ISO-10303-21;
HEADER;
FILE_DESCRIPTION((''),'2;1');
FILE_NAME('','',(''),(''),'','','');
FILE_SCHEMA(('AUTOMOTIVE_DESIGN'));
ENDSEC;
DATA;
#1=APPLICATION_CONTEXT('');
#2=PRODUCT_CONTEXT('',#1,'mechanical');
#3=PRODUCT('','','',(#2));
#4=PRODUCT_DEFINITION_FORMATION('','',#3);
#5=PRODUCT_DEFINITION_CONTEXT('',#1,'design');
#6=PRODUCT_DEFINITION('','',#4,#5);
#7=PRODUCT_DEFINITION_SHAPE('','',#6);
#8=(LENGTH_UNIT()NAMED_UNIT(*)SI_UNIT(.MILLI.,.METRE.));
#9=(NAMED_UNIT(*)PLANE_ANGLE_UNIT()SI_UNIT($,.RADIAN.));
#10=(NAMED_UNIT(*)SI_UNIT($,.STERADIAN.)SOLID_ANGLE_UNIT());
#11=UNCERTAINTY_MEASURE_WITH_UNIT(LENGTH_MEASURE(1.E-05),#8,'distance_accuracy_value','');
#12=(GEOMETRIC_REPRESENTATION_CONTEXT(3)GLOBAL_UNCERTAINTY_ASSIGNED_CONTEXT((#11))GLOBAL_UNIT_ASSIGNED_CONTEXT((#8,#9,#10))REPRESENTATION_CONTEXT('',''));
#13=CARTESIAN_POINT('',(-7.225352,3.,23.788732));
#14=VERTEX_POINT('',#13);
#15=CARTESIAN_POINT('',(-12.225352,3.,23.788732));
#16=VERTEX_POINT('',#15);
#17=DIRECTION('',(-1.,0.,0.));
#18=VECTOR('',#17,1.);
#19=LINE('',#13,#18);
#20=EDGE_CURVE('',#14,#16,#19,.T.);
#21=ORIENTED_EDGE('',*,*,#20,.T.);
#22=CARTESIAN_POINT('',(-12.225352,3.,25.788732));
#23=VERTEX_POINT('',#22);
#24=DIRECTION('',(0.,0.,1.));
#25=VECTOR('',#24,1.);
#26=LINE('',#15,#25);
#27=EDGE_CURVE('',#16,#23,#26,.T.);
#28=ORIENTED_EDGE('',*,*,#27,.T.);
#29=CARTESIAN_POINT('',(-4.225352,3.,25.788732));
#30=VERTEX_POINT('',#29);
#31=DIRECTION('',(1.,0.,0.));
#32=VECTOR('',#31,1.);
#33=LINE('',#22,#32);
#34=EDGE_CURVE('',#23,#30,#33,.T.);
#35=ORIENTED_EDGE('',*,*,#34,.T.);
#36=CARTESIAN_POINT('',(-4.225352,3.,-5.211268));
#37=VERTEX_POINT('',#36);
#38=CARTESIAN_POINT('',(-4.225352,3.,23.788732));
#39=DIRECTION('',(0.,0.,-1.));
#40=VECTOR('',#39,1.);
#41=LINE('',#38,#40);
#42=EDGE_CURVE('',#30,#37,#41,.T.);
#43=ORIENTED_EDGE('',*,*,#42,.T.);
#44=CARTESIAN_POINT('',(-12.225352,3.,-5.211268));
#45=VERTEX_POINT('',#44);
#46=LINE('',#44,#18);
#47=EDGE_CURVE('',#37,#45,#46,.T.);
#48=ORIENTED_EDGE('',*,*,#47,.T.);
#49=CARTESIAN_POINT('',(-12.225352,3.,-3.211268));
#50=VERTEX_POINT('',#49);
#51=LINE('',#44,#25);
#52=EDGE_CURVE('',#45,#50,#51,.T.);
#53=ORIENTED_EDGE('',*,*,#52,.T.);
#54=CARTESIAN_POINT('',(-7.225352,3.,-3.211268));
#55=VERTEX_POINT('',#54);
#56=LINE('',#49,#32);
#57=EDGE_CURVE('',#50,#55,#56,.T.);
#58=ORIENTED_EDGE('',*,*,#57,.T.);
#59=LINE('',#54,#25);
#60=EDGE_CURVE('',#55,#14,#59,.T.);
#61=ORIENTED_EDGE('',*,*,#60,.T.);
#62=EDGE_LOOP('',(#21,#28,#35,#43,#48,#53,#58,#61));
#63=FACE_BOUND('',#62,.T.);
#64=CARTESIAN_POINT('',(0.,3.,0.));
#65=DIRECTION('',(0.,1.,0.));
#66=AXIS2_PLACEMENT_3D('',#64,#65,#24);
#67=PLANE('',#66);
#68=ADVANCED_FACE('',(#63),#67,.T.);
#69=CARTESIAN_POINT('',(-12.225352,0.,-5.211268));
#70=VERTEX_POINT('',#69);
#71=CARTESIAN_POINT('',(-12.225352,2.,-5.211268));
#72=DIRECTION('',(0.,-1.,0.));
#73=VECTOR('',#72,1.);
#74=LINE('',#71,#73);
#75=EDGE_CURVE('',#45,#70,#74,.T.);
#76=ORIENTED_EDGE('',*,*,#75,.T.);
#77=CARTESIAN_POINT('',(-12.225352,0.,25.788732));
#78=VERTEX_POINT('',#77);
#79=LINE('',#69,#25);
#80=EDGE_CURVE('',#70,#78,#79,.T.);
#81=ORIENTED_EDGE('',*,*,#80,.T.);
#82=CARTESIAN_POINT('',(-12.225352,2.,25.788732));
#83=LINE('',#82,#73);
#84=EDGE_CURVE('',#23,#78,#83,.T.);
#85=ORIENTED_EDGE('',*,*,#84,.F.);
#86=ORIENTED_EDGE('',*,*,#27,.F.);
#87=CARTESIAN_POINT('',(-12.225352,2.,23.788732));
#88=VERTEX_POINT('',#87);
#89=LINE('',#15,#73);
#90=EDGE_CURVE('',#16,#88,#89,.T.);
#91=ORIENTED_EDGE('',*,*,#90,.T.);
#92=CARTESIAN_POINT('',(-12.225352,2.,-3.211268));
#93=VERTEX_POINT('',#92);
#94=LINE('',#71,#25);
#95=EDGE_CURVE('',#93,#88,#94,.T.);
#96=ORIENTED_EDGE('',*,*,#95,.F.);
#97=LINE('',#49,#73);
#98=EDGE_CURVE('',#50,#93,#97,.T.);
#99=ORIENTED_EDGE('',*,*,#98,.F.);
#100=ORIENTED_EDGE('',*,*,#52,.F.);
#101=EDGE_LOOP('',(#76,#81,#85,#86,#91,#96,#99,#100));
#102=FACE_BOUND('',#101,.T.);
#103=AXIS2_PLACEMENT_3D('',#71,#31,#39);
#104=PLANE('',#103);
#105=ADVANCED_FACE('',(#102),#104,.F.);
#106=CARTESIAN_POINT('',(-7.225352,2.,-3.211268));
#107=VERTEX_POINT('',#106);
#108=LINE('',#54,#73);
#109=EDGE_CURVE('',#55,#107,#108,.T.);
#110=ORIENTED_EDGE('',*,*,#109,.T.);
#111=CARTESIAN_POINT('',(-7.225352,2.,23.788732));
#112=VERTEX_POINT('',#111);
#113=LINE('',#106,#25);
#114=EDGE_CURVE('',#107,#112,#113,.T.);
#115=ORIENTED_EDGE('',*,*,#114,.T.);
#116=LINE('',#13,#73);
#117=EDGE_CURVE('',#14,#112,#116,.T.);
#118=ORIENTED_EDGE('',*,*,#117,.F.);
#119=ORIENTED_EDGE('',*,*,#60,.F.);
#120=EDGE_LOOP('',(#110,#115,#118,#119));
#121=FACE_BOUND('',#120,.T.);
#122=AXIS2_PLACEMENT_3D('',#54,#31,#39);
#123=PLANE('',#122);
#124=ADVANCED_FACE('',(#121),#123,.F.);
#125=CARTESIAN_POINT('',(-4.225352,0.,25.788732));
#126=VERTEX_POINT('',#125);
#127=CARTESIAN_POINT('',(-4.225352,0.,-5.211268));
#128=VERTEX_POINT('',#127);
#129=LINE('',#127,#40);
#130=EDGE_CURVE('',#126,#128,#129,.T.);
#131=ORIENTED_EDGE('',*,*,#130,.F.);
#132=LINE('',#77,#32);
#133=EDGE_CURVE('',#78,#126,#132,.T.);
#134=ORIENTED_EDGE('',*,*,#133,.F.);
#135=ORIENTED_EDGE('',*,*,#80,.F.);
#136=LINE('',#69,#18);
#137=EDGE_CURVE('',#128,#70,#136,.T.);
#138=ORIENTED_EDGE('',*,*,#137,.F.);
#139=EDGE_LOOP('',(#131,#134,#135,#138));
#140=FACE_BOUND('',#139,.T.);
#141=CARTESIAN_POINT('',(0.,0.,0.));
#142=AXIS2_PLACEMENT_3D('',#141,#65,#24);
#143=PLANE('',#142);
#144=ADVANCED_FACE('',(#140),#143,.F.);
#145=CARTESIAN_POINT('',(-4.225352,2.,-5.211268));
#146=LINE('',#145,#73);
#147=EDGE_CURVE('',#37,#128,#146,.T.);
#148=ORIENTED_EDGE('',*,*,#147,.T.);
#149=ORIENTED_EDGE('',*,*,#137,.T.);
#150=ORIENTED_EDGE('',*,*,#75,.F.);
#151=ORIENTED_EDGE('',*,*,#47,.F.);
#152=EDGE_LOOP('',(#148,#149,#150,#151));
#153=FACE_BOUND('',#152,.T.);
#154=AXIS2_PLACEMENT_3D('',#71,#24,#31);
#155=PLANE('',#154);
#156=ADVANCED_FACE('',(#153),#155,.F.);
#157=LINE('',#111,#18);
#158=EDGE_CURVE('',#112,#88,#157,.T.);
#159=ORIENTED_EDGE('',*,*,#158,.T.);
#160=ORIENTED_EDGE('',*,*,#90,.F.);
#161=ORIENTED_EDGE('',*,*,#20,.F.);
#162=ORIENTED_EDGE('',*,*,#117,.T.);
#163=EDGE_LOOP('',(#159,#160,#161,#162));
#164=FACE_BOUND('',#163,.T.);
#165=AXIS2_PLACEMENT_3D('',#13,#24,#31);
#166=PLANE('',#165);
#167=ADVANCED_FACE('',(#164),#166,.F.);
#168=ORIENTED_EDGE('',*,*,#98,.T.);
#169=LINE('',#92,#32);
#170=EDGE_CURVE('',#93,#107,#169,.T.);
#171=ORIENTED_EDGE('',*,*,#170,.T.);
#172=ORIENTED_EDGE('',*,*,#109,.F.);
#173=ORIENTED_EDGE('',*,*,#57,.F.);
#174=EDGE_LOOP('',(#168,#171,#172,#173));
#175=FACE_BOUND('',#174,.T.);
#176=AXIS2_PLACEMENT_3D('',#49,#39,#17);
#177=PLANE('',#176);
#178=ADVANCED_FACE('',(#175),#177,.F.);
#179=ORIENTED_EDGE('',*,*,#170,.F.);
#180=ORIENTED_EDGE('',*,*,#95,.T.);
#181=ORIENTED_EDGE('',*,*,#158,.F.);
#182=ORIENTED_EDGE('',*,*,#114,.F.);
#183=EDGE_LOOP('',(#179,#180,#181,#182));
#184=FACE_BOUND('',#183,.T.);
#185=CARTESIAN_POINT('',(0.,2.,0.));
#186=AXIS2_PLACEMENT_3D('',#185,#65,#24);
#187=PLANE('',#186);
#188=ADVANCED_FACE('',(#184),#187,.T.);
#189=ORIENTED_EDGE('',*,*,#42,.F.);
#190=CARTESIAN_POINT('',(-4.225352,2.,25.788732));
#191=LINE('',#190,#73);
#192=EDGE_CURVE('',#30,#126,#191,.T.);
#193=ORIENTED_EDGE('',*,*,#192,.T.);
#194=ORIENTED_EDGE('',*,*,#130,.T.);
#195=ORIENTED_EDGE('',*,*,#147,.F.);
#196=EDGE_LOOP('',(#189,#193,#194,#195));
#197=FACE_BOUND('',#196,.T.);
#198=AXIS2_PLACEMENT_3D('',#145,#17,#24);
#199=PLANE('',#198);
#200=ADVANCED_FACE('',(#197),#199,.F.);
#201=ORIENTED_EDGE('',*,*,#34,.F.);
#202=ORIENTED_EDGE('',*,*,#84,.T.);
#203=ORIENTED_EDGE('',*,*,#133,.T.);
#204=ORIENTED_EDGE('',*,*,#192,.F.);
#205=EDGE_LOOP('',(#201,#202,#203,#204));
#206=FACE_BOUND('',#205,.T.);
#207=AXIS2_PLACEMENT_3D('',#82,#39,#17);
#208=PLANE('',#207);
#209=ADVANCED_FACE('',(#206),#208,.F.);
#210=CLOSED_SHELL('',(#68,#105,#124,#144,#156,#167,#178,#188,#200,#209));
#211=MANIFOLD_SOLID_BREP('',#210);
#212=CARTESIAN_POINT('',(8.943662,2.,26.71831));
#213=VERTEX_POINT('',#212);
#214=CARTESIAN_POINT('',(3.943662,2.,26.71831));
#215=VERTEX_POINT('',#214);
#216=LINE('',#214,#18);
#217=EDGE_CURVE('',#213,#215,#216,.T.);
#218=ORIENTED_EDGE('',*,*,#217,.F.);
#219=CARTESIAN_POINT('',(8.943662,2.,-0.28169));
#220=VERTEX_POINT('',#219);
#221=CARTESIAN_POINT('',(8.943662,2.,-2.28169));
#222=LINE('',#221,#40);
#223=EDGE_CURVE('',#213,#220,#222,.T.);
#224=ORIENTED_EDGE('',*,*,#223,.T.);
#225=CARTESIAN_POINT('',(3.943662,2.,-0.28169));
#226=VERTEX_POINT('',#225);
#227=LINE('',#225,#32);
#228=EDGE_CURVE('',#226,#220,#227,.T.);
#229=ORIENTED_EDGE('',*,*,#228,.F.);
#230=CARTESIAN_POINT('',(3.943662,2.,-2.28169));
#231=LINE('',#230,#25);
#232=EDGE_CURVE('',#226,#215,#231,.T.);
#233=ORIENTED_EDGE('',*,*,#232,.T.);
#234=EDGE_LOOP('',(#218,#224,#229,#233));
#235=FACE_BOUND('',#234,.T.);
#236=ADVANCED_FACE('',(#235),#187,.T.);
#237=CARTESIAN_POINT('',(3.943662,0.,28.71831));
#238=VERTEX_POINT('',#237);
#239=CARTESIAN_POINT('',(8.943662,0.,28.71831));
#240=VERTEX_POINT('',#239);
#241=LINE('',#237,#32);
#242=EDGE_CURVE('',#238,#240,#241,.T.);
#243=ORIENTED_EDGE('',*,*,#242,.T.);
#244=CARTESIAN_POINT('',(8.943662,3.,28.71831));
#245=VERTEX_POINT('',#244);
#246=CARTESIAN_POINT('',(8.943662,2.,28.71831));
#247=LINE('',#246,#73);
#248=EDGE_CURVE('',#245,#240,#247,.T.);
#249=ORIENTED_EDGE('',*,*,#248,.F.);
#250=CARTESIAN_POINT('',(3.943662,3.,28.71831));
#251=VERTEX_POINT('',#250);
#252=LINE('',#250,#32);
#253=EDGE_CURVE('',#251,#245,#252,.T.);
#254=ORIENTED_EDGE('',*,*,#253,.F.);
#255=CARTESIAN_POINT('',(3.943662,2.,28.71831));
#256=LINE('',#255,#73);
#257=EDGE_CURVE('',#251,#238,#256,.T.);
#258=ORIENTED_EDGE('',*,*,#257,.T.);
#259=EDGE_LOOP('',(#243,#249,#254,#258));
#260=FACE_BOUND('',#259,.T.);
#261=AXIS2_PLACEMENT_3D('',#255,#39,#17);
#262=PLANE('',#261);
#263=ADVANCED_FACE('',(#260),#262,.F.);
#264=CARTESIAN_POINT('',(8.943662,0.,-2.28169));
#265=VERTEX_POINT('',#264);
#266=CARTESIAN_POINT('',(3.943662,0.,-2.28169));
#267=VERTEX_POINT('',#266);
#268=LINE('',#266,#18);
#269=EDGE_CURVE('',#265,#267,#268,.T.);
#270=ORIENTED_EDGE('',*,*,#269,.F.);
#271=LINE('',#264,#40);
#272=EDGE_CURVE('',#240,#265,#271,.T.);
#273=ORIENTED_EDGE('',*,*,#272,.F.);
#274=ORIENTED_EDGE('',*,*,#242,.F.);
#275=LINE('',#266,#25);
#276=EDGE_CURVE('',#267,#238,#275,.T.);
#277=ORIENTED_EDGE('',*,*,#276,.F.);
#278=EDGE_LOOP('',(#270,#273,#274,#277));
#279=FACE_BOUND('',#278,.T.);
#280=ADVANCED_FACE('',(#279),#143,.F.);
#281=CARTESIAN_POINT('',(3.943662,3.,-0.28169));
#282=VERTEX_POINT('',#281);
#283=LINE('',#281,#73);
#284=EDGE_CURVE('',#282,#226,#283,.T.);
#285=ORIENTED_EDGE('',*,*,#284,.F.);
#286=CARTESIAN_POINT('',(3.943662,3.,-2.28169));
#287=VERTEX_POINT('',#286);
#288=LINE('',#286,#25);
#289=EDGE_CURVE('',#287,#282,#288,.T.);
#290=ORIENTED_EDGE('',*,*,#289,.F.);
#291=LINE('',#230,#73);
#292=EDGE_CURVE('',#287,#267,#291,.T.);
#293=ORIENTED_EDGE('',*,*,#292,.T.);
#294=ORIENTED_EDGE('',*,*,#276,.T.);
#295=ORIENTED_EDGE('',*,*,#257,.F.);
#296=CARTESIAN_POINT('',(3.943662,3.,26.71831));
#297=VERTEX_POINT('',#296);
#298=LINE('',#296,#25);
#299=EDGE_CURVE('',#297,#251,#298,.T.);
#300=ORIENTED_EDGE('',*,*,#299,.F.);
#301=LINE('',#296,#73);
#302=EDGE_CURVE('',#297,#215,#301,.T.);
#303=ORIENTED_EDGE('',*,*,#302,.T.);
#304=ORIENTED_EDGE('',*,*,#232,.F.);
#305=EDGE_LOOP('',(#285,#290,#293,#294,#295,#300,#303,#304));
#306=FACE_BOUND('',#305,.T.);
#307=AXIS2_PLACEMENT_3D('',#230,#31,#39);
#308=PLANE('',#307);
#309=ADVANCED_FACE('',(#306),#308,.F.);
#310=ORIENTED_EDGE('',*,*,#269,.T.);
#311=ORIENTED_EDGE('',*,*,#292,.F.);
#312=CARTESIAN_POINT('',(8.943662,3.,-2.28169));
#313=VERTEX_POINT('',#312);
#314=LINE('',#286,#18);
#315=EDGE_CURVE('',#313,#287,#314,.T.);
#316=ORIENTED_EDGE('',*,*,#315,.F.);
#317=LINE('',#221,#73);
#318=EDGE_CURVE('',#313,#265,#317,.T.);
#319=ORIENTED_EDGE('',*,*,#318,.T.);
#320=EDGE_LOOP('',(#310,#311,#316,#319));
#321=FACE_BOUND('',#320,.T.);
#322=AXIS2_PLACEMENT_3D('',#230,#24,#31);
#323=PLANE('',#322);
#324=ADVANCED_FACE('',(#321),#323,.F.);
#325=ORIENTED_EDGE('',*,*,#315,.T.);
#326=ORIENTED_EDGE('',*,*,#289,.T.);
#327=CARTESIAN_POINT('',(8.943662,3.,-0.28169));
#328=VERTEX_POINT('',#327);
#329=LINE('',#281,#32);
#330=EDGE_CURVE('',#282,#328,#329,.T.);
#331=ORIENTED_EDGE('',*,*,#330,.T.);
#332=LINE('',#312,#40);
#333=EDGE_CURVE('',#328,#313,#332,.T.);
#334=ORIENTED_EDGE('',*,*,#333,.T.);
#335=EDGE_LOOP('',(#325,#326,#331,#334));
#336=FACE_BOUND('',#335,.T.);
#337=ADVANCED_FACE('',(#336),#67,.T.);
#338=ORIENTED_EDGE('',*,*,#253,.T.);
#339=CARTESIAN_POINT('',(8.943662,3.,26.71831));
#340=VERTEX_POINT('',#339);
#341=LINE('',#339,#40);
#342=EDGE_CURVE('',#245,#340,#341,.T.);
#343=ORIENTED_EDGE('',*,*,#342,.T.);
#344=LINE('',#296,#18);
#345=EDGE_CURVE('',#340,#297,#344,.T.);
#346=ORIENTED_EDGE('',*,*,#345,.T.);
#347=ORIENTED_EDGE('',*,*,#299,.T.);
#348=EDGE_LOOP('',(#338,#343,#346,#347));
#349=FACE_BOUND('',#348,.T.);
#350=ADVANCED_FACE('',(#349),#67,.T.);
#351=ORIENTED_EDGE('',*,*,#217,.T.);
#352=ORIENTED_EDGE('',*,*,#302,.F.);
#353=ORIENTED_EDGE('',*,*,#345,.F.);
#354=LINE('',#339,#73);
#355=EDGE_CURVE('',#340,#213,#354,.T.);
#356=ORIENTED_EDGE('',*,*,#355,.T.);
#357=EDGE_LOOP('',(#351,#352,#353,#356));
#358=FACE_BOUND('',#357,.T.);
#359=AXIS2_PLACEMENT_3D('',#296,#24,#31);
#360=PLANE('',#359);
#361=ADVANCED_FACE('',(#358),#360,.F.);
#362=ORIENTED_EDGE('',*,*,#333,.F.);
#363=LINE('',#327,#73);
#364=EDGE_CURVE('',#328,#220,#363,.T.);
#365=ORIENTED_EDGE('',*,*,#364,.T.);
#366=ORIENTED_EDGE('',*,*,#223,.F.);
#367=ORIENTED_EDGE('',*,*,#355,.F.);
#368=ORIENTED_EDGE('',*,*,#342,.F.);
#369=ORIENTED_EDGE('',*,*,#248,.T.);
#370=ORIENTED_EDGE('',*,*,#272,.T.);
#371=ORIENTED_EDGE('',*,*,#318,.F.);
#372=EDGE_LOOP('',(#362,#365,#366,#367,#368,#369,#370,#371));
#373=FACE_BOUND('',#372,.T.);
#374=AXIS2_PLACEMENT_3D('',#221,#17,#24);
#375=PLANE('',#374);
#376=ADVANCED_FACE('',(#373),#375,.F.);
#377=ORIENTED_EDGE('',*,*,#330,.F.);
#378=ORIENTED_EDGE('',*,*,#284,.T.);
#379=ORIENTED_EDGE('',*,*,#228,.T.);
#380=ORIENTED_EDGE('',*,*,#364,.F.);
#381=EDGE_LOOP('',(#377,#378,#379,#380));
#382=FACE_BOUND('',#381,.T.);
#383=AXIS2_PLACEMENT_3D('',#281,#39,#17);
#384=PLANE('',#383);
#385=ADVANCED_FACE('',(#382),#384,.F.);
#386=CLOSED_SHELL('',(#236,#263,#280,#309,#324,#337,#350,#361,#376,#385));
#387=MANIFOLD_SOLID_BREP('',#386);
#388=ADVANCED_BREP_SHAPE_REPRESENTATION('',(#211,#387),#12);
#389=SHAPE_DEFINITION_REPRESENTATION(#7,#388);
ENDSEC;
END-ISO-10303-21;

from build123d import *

# Parameters (mm, degrees)
SKETCH1_W             = 8
SKETCH1_H             = 31
BOSS_EXTRUDE1_DEPTH   = 2
SKETCH1_W_2           = 5
BOSS_EXTRUDE1_2_DEPTH = 2
SKETCH2_W             = 5
SKETCH2_H             = 2
BOSS_EXTRUDE2_DEPTH   = 1


with BuildPart() as part:
    # Sketch1 → Boss-Extrude1 (new body)
    with BuildSketch(Plane(origin=(0, 0, 0), x_dir=(1, 0, 0), z_dir=(0, 1, 0))):
        with Locations((-8.225352113, -10.288732394)):
            Rectangle(SKETCH1_W, SKETCH1_H)
    extrude(amount=BOSS_EXTRUDE1_DEPTH)



with BuildPart() as body_2:
    # Sketch1 → Boss-Extrude1 2 (new body)
    with BuildSketch(Plane(origin=(0, 0, 0), x_dir=(1, 0, 0), z_dir=(0, 1, 0))):
        with Locations((6.443661972, -13.218309859)):
            Rectangle(SKETCH1_W_2, SKETCH1_H)
    extrude(amount=BOSS_EXTRUDE1_2_DEPTH)


with BuildPart() as part_1:
    add(part.part)

    add(body_2.part)  # Boss-Extrude2 merges body 2
    # Sketch2 → Boss-Extrude2 (add)
    with BuildSketch(Plane(origin=(0, 2, 0), x_dir=(1, 0, 0), z_dir=(0, 1, 0))):
        Polygon((-12.225352113, -23.788732394), (-12.225352113, -25.788732394), (-4.225352113, -25.788732394), (-4.225352113, -23.788732394), (-4.225352113, 3.211267606), (-4.225352113, 5.211267606), (-12.225352113, 5.211267606), (-12.225352113, 3.211267606), (-7.225352113, 3.211267606), (-7.225352113, -23.788732394), align=None)
        with Locations((6.443661972, 1.281690141)):
            Rectangle(SKETCH2_W, SKETCH2_H)
        with Locations((6.443661972, -27.718309859)):
            Rectangle(SKETCH2_W, SKETCH2_H)
    extrude(amount=BOSS_EXTRUDE2_DEPTH)


solid = part_1.part
